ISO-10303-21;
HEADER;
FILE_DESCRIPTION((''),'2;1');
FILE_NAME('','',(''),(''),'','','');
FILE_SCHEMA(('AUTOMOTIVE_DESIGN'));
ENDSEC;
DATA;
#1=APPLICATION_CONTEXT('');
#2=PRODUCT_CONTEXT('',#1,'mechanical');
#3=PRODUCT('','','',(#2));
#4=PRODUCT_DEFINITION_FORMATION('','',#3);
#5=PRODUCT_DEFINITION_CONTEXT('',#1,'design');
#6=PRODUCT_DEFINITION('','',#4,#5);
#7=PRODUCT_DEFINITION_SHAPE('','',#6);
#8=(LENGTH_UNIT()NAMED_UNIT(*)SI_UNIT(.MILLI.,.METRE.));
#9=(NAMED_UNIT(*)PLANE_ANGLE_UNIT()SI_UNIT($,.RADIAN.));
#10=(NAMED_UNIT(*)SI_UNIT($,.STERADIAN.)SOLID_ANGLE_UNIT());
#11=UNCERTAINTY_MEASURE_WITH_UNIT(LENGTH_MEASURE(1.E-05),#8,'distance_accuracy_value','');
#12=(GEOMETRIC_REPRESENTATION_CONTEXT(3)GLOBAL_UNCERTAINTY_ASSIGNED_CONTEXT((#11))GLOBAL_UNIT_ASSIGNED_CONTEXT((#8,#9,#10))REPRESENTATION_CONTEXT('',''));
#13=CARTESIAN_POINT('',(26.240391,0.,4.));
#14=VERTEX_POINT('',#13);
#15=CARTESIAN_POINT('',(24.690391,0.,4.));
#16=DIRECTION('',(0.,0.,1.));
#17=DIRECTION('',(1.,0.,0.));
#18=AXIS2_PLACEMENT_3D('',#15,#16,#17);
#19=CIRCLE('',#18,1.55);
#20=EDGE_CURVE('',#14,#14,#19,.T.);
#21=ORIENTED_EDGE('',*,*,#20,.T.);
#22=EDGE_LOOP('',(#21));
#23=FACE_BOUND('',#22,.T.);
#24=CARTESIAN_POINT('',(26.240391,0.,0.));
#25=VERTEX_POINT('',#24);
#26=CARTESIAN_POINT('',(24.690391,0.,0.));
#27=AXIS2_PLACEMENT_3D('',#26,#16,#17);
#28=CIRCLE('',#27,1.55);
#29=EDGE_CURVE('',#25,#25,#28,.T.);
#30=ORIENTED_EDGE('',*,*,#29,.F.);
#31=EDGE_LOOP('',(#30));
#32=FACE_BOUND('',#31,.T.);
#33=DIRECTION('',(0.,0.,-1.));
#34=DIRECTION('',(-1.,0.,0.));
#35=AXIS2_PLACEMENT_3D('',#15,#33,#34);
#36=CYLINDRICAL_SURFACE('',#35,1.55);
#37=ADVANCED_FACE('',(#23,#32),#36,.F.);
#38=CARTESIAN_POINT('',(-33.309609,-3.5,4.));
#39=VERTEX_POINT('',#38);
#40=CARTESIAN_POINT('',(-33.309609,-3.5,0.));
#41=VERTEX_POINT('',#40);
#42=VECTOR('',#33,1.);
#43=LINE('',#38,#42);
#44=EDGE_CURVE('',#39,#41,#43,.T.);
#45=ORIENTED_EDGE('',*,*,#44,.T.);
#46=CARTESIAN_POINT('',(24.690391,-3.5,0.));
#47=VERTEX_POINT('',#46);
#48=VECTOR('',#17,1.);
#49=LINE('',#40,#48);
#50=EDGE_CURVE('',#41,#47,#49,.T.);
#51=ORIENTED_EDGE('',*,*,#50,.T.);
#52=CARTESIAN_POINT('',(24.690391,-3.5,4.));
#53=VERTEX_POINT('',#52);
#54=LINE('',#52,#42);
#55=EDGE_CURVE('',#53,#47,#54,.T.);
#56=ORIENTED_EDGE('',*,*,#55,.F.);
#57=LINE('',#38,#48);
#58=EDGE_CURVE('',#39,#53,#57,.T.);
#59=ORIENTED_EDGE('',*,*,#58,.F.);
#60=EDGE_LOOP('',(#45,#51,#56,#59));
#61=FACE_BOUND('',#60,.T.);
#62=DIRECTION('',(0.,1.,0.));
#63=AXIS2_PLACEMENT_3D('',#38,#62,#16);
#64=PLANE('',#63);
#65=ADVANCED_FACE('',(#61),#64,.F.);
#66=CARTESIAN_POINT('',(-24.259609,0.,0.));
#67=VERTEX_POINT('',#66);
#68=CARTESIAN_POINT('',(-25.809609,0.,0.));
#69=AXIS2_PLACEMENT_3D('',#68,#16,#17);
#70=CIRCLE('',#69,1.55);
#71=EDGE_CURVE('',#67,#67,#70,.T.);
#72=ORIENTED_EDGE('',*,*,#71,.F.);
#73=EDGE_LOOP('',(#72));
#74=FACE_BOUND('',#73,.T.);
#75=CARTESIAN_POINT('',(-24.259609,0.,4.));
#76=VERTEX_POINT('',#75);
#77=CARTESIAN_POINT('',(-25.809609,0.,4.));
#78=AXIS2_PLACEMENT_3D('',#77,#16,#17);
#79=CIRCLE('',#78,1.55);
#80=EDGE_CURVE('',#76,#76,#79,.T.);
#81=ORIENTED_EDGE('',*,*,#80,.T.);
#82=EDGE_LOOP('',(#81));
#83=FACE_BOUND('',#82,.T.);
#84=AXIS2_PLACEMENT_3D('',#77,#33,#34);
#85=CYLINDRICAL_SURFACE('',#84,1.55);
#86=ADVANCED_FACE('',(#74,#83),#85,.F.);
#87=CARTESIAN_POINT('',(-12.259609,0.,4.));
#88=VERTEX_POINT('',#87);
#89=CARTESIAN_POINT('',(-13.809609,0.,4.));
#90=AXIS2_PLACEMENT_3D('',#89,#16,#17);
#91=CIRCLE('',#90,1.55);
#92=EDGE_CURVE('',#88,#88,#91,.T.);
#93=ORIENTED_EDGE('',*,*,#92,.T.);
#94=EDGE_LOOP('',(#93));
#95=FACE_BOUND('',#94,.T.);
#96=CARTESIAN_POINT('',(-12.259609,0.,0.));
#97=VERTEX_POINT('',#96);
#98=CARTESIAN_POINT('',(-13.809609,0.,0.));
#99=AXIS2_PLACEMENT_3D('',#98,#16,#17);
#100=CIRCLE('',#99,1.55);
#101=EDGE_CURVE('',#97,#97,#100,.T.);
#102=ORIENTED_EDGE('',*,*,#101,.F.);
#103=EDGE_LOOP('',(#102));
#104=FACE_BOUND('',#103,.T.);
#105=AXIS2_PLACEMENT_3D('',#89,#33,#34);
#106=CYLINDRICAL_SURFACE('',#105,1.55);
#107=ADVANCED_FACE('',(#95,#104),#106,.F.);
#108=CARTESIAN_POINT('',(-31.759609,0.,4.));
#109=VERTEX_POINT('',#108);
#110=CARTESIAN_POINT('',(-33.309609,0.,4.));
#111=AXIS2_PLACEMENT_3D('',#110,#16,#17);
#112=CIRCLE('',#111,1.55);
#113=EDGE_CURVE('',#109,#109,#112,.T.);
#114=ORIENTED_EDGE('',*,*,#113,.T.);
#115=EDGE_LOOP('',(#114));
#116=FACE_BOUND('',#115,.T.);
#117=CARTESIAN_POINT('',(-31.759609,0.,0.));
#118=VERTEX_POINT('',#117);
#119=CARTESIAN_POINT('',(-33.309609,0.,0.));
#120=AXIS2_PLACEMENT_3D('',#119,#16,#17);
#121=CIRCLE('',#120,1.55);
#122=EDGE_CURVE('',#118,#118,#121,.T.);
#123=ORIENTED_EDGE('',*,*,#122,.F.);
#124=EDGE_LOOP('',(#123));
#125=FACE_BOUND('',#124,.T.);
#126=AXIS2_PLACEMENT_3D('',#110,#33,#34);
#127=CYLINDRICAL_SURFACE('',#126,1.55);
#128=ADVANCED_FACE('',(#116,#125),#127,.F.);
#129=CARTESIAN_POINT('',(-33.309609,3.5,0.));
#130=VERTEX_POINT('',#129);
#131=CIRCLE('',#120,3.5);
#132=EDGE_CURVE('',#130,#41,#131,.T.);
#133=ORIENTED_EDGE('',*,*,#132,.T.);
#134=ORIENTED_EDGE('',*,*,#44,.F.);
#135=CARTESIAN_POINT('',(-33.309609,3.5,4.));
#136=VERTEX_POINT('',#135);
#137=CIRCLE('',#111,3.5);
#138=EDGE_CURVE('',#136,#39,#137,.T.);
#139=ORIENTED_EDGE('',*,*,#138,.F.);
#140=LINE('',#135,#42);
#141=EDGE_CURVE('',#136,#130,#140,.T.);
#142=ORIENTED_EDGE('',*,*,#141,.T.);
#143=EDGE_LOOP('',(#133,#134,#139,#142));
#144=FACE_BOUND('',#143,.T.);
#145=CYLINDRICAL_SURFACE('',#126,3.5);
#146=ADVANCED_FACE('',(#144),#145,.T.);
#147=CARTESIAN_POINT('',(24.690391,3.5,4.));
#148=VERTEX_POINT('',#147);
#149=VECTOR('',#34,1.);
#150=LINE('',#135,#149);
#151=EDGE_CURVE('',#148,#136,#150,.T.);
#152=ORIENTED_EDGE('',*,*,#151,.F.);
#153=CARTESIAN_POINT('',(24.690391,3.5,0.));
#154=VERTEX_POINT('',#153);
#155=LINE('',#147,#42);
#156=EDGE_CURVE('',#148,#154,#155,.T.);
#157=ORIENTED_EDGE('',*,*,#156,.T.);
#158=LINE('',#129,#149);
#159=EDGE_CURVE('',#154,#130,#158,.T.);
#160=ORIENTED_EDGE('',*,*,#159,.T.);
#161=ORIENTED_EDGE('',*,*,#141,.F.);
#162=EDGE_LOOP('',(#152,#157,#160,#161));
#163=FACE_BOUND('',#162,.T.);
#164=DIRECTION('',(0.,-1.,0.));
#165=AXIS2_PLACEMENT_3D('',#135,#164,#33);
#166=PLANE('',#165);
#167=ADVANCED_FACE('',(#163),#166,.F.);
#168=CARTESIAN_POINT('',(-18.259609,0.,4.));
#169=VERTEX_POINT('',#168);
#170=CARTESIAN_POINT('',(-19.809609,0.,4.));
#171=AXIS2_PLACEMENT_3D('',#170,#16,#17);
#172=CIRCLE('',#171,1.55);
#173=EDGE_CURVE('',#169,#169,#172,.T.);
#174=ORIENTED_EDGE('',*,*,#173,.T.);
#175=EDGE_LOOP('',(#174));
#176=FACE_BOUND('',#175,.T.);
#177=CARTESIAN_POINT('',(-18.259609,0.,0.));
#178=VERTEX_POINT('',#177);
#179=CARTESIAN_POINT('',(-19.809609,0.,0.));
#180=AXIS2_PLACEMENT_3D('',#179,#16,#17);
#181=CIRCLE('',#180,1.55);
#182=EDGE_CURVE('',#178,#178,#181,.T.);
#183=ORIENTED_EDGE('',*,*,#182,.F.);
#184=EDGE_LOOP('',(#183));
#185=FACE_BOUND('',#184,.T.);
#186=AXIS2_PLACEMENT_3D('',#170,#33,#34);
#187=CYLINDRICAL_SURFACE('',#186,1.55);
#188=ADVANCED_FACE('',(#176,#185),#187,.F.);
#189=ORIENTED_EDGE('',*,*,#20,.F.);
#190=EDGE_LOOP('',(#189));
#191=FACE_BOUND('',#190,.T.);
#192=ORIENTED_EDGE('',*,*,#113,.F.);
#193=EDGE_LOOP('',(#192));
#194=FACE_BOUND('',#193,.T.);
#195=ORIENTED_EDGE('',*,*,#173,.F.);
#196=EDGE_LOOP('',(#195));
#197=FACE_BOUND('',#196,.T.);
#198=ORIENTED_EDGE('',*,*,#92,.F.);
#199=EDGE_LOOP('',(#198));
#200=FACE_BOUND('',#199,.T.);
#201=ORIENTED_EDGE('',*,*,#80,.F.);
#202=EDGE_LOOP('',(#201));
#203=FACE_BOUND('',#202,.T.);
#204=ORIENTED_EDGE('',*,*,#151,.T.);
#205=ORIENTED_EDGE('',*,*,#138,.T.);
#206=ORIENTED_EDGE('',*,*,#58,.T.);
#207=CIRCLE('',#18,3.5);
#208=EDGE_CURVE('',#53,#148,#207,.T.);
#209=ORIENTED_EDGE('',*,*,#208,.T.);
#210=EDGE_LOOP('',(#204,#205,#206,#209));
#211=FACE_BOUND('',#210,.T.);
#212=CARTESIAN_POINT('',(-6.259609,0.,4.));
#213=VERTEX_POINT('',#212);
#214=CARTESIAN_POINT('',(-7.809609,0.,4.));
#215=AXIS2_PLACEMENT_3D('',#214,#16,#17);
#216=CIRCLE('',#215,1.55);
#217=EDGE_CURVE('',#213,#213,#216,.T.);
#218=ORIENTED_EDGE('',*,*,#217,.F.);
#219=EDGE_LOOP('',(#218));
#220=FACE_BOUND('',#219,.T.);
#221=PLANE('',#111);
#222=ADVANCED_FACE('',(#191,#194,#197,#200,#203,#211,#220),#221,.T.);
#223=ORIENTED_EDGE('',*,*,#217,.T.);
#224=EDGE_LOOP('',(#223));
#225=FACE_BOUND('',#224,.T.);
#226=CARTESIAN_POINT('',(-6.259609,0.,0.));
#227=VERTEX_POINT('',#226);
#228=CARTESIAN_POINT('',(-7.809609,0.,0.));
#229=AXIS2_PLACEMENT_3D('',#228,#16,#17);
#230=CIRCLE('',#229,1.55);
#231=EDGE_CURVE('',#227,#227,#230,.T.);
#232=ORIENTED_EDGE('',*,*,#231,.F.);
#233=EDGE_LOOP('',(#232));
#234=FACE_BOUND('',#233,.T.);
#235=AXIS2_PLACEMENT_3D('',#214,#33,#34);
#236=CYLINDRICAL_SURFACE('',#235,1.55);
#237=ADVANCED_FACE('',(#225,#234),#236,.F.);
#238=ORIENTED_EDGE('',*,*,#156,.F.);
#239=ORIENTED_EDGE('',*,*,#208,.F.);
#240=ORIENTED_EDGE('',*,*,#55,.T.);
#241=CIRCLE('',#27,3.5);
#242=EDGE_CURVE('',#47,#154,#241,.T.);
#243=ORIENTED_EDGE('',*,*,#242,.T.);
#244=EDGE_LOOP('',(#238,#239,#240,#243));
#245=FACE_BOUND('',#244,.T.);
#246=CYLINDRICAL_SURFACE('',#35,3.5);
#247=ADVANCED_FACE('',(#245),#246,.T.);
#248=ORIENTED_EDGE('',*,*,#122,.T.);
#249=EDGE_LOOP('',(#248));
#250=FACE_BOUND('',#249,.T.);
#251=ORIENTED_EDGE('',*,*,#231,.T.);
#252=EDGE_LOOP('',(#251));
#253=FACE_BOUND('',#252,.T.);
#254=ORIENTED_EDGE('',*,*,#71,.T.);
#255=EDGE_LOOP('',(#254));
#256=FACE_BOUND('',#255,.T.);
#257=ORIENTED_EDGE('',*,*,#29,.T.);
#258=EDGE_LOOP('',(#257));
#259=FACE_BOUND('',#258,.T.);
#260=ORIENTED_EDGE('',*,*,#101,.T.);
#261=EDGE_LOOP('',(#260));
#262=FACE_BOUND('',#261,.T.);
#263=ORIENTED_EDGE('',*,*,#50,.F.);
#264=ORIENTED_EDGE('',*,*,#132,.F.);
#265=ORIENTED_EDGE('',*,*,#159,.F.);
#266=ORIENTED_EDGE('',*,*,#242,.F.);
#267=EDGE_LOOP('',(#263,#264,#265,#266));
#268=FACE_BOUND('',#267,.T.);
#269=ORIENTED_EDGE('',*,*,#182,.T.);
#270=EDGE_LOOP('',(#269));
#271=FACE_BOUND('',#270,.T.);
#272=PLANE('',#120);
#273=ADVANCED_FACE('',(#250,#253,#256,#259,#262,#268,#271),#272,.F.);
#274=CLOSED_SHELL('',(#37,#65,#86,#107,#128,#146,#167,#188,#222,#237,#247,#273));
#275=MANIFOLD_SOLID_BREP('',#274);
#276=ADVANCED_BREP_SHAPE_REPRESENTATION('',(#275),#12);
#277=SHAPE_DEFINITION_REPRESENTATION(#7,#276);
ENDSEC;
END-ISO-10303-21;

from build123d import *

# Parameters (mm, degrees)
BOSS_EXTRUDE1_DEPTH = 4
SKETCH2_R           = 1.55
CUT_EXTRUDE6_DEPTH  = 38.1913603


with BuildPart() as part:
    # Sketch1 → Boss-Extrude1 (new body)
    with BuildSketch(Plane.XY):
        with BuildLine():
            Line((-33.309608541, 3.5), (24.690391459, 3.5))
            ThreePointArc((24.690391459, 3.5), (28.190391459, 0), (24.690391459, -3.5))
            Line((24.690391459, -3.5), (-33.309608541, -3.5))
            ThreePointArc((-33.309608541, -3.5), (-36.809608541, 0), (-33.309608541, 3.5))
        make_face()
    extrude(amount=BOSS_EXTRUDE1_DEPTH)

    # Sketch2 → Cut-Extrude6 (cut, through all)
    with BuildSketch(Plane.XY):
        with Locations((-33.309608541, 0)):
            Circle(SKETCH2_R)
        with Locations((-19.809608541, 0)):
            Circle(SKETCH2_R)
        with Locations((24.690391459, 0)):
            Circle(SKETCH2_R)
        with Locations((-25.809608541, 0)):
            Circle(SKETCH2_R)
        with Locations((-13.809608541, 0)):
            Circle(SKETCH2_R)
        with Locations((-7.809608541, 0)):
            Circle(SKETCH2_R)
    extrude(amount=CUT_EXTRUDE6_DEPTH, mode=Mode.SUBTRACT)


solid = part.part
